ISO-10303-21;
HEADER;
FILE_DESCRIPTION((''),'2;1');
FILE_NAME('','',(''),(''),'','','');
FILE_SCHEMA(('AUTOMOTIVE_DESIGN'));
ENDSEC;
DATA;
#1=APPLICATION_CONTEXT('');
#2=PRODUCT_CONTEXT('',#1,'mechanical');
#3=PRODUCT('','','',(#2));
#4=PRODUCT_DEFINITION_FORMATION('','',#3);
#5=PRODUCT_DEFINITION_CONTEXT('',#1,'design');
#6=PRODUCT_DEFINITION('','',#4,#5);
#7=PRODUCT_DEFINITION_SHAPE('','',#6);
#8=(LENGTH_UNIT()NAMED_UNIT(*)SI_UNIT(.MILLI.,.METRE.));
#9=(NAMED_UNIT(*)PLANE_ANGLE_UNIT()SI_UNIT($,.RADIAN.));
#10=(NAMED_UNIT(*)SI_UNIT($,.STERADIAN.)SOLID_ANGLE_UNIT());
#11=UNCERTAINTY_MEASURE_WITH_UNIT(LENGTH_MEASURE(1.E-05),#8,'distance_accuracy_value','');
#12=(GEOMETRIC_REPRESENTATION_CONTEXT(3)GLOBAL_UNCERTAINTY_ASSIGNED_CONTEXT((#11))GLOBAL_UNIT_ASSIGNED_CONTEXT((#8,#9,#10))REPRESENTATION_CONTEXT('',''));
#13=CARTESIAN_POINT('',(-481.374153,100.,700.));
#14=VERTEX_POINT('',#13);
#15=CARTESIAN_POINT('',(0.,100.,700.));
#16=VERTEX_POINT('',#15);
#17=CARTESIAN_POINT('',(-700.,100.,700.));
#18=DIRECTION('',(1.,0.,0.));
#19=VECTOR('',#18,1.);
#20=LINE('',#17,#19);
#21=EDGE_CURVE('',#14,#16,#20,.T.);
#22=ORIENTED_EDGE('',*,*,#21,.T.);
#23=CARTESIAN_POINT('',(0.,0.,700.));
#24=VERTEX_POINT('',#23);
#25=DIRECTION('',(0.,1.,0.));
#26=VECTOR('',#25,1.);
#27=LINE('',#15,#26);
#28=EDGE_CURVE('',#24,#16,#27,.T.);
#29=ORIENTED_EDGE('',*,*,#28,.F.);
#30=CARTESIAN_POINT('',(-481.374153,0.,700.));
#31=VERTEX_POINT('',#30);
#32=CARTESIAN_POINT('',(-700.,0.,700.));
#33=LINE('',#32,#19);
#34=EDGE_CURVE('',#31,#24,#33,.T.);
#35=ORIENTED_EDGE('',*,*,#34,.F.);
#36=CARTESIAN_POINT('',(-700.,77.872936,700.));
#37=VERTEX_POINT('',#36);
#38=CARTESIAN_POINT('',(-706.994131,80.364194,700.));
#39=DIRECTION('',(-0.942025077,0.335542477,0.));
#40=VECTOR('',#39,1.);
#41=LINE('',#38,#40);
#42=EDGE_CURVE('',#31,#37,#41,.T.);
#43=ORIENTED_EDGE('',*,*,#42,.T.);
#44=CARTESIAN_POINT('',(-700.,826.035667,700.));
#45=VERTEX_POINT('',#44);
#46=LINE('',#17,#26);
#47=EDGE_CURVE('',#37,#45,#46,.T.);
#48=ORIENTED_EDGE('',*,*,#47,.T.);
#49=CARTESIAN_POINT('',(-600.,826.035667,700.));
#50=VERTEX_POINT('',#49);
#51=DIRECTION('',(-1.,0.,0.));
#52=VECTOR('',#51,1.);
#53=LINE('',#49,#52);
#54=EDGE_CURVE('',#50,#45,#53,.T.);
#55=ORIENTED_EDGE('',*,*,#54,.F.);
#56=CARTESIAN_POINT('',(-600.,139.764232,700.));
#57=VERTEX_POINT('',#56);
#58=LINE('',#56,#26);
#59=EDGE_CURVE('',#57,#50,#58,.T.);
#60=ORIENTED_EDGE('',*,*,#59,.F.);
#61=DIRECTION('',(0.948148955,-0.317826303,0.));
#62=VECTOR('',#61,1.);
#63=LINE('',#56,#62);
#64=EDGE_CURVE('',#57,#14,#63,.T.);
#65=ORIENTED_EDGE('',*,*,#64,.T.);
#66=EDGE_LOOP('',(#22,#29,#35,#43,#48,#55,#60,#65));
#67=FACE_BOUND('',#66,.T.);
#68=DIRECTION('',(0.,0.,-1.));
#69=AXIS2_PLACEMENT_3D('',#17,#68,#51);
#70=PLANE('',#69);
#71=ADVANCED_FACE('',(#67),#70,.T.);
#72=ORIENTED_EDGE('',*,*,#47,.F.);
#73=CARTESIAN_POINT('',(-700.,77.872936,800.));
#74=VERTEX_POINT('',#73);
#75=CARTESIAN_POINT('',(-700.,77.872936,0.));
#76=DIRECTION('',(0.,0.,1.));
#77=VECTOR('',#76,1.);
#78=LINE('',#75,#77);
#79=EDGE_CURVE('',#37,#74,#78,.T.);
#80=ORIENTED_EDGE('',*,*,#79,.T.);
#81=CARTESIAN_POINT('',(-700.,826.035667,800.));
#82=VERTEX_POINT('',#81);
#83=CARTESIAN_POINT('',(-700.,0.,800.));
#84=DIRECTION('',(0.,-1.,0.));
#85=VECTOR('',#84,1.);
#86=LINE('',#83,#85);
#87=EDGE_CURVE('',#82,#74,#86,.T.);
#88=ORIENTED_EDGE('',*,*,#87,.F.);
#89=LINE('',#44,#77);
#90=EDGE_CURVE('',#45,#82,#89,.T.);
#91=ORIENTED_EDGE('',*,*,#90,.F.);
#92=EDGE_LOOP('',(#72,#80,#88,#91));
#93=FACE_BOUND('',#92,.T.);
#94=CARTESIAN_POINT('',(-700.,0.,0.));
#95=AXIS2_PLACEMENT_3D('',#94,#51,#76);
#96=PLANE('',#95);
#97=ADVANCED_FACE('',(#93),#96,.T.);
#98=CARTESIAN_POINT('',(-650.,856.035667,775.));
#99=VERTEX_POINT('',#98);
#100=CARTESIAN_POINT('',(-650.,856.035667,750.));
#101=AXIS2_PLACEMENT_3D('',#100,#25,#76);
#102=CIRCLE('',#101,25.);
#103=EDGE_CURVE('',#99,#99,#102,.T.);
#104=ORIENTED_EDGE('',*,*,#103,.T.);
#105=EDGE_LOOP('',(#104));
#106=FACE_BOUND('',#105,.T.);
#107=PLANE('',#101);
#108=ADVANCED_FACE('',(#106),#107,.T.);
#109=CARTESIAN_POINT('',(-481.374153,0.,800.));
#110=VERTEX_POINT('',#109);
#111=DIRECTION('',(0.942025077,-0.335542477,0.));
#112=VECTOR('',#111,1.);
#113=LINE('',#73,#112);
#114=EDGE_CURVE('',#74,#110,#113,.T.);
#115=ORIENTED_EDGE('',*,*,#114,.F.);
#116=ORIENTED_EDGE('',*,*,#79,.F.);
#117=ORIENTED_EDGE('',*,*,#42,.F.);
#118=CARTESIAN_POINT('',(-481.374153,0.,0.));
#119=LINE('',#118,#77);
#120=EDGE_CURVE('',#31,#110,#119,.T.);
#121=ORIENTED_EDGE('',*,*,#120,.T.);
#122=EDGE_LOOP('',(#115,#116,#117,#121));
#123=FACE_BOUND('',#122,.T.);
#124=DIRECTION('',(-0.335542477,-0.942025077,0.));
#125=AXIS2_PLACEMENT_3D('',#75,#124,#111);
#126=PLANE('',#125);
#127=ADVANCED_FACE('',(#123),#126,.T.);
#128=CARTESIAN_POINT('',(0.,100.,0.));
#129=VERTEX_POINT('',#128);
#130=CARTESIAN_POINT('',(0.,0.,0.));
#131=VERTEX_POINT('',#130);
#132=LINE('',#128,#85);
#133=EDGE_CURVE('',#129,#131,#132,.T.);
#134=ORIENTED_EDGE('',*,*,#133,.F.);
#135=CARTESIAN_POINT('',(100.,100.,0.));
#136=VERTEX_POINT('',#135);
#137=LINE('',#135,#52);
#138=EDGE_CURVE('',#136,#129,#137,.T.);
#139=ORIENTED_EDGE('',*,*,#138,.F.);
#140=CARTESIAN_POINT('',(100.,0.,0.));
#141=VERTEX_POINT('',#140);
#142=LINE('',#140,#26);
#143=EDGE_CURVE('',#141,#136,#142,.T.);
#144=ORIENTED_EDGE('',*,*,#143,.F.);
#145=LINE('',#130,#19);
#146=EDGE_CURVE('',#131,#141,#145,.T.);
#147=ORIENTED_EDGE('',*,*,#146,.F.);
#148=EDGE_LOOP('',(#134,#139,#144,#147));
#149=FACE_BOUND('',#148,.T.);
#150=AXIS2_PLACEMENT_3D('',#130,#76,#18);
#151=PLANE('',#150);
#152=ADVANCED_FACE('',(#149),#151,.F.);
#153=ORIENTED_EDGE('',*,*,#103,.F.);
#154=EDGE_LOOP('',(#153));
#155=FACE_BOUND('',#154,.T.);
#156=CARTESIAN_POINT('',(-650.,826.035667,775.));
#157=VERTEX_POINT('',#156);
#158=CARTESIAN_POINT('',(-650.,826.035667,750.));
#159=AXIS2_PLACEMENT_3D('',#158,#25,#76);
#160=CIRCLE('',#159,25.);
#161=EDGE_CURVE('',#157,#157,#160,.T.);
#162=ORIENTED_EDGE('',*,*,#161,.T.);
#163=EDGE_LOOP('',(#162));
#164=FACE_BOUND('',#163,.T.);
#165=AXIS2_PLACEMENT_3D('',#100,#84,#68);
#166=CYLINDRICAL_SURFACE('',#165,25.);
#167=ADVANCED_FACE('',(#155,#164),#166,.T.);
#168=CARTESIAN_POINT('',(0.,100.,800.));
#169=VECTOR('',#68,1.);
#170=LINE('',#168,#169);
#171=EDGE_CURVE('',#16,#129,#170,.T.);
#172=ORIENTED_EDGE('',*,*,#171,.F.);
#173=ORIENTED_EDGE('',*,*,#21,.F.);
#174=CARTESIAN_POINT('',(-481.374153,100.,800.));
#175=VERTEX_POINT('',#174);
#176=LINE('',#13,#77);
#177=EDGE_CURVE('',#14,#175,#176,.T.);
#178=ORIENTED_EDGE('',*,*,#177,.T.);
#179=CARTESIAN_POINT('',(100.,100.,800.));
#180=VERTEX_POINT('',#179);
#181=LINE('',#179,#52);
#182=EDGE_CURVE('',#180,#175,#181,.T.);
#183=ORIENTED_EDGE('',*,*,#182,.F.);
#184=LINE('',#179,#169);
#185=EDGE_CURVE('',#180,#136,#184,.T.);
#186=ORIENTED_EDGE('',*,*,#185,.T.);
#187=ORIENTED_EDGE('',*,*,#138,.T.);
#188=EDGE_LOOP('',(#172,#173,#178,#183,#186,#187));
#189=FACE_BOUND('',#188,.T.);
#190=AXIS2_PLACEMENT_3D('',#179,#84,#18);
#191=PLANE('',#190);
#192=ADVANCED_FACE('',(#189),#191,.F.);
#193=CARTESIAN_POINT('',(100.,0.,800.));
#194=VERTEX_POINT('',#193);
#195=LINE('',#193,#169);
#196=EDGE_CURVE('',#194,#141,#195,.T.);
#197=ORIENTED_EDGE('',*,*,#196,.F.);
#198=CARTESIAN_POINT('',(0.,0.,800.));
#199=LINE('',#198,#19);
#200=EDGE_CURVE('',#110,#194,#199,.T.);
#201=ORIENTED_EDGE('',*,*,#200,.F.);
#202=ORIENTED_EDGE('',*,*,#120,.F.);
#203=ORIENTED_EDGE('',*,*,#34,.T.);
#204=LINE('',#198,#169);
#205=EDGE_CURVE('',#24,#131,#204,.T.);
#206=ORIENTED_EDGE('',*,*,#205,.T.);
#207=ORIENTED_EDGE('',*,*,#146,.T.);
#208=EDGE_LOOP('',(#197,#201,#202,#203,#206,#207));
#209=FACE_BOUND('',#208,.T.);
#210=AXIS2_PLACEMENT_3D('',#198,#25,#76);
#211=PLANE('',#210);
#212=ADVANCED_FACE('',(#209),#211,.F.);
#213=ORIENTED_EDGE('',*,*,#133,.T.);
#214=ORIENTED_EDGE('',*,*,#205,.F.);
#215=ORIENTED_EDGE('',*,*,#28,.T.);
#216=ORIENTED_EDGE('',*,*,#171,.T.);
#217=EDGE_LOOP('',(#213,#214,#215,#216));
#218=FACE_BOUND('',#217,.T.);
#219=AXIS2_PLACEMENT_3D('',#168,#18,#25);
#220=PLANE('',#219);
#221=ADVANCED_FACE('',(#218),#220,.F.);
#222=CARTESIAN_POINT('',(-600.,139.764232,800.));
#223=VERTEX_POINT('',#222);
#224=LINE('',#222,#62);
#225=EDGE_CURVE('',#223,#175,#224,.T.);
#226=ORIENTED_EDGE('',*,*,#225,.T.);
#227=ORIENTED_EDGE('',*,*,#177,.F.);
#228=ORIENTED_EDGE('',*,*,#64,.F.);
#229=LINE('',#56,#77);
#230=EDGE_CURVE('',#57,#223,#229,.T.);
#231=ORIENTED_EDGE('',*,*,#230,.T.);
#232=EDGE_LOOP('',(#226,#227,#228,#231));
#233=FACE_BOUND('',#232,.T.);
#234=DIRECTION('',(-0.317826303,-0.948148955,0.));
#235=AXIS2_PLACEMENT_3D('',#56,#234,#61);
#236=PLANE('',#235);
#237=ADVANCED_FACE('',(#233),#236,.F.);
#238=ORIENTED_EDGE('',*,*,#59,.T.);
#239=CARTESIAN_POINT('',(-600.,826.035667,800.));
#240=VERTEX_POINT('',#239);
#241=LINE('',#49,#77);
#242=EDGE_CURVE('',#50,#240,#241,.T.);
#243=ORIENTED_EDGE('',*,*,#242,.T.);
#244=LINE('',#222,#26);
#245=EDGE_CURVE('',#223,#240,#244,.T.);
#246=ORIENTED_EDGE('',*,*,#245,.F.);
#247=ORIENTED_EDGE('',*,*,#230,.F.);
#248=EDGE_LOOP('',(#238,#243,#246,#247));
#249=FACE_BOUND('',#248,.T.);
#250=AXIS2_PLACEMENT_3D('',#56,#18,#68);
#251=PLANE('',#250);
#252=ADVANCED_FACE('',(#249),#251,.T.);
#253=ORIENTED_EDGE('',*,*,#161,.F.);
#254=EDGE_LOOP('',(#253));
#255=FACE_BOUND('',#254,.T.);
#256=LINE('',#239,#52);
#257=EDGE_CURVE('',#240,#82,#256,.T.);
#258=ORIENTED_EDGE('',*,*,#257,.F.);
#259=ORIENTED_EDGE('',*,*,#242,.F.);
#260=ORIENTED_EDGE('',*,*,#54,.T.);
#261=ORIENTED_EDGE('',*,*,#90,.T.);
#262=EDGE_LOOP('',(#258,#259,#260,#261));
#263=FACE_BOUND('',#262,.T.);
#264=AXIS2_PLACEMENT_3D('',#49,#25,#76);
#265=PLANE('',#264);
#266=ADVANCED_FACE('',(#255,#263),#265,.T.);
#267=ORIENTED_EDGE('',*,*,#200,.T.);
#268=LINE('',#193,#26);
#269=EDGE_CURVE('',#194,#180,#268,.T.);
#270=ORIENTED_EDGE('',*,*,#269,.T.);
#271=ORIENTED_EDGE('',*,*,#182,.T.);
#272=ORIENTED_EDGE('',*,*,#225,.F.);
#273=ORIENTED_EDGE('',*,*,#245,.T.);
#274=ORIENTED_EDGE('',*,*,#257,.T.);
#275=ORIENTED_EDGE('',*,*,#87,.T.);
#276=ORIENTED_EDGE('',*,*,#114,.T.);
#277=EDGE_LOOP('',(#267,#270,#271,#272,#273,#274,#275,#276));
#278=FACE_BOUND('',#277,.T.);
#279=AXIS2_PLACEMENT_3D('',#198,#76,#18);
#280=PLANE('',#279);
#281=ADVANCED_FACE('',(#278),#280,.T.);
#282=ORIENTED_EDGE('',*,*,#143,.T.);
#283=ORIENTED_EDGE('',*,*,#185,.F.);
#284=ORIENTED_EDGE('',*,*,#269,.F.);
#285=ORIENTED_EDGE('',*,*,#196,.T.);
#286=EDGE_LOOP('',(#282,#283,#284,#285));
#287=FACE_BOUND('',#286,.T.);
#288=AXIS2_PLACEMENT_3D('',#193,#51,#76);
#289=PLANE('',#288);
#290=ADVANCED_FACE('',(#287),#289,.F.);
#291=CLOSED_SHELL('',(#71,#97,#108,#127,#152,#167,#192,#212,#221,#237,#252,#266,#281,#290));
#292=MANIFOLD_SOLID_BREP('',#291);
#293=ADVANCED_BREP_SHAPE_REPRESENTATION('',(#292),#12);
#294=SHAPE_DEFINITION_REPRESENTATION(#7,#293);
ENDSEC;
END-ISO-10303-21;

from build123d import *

# Parameters (mm, degrees)
SKETCH1_W           = 100
SKETCH1_H           = 100
BOSS_EXTRUDE1_DEPTH = 800
SKETCH2_W           = 100
SKETCH2_H           = 100
BOSS_EXTRUDE2_DEPTH = 700
BOSS_EXTRUDE3_DEPTH = 100
SKETCH5_R           = 25
BOSS_EXTRUDE4_DEPTH = 25
CUT_EXTRUDE2_DEPTH  = 801
BOSS_EXTRUDE5_DEPTH = 100
CUT_EXTRUDE3_DEPTH  = 801
SKETCH10_R          = 25
BOSS_EXTRUDE6_DEPTH = 30


with BuildPart() as part:
    # Sketch1 → Boss-Extrude1 (new body)
    with BuildSketch(Plane.XY):
        with Locations((50, 50)):
            Rectangle(SKETCH1_W, SKETCH1_H)
    extrude(amount=BOSS_EXTRUDE1_DEPTH)

    # Sketch2 → Boss-Extrude2 (add)
    with BuildSketch(Plane(origin=(0, 0, 0), x_dir=(0, 0, -1), z_dir=(1, 0, 0))):
        with Locations((-750, 50)):
            Rectangle(SKETCH2_W, SKETCH2_H)
    extrude(amount=-BOSS_EXTRUDE2_DEPTH)

    # Sketch4 → Boss-Extrude3 (add)
    with BuildSketch(Plane.XY.offset(800)):
        Polygon((-493.990986432, 0), (-600, -41.564522078), (-600, -730.356100977), (-700, -730.356100977), (-700, 0), align=None)
    extrude(amount=-BOSS_EXTRUDE3_DEPTH)

    # Sketch5 → Boss-Extrude4 (add)
    with BuildSketch(Plane(origin=(0, -730.356100977, 0), x_dir=(-1, 0, 0), z_dir=(0, -1, 0))):
        with Locations((650, -750)):
            Circle(SKETCH5_R)
    extrude(amount=BOSS_EXTRUDE4_DEPTH)

    # Sketch6 → Cut-Extrude2 (cut, through all)
    with BuildSketch(Plane.XY.offset(800)):
        Polygon((-700, 0), (-700, 77.872935738), (-481.374152596, 0), align=None)
    extrude(amount=-CUT_EXTRUDE2_DEPTH, mode=Mode.SUBTRACT)

    # Sketch8 → Boss-Extrude5 (add)
    with BuildSketch(Plane.XY.offset(800)):
        Polygon((-700, 100), (-600, 100), (-481.374152596, 100), (-600, 139.764231535), (-600, 826.035666916), (-700, 826.035666916), align=None)
    extrude(amount=-BOSS_EXTRUDE5_DEPTH)

    # Sketch9 → Cut-Extrude3 (cut, through all)
    with BuildSketch(Plane.XY.offset(800)):
        Polygon((-740.353325761, 0), (-493.364641431, 0), (-493.364641431, -882.481689371), (-837.990616097, -863.88243179), align=None)
    extrude(amount=-CUT_EXTRUDE3_DEPTH, mode=Mode.SUBTRACT)

    # Sketch10 → Boss-Extrude6 (add)
    with BuildSketch(Plane(origin=(0, 826.035666916, 0), x_dir=(1, 0, 0), z_dir=(0, 1, 0))):
        with Locations((-650, -750)):
            Circle(SKETCH10_R)
    extrude(amount=BOSS_EXTRUDE6_DEPTH)


solid = part.part
